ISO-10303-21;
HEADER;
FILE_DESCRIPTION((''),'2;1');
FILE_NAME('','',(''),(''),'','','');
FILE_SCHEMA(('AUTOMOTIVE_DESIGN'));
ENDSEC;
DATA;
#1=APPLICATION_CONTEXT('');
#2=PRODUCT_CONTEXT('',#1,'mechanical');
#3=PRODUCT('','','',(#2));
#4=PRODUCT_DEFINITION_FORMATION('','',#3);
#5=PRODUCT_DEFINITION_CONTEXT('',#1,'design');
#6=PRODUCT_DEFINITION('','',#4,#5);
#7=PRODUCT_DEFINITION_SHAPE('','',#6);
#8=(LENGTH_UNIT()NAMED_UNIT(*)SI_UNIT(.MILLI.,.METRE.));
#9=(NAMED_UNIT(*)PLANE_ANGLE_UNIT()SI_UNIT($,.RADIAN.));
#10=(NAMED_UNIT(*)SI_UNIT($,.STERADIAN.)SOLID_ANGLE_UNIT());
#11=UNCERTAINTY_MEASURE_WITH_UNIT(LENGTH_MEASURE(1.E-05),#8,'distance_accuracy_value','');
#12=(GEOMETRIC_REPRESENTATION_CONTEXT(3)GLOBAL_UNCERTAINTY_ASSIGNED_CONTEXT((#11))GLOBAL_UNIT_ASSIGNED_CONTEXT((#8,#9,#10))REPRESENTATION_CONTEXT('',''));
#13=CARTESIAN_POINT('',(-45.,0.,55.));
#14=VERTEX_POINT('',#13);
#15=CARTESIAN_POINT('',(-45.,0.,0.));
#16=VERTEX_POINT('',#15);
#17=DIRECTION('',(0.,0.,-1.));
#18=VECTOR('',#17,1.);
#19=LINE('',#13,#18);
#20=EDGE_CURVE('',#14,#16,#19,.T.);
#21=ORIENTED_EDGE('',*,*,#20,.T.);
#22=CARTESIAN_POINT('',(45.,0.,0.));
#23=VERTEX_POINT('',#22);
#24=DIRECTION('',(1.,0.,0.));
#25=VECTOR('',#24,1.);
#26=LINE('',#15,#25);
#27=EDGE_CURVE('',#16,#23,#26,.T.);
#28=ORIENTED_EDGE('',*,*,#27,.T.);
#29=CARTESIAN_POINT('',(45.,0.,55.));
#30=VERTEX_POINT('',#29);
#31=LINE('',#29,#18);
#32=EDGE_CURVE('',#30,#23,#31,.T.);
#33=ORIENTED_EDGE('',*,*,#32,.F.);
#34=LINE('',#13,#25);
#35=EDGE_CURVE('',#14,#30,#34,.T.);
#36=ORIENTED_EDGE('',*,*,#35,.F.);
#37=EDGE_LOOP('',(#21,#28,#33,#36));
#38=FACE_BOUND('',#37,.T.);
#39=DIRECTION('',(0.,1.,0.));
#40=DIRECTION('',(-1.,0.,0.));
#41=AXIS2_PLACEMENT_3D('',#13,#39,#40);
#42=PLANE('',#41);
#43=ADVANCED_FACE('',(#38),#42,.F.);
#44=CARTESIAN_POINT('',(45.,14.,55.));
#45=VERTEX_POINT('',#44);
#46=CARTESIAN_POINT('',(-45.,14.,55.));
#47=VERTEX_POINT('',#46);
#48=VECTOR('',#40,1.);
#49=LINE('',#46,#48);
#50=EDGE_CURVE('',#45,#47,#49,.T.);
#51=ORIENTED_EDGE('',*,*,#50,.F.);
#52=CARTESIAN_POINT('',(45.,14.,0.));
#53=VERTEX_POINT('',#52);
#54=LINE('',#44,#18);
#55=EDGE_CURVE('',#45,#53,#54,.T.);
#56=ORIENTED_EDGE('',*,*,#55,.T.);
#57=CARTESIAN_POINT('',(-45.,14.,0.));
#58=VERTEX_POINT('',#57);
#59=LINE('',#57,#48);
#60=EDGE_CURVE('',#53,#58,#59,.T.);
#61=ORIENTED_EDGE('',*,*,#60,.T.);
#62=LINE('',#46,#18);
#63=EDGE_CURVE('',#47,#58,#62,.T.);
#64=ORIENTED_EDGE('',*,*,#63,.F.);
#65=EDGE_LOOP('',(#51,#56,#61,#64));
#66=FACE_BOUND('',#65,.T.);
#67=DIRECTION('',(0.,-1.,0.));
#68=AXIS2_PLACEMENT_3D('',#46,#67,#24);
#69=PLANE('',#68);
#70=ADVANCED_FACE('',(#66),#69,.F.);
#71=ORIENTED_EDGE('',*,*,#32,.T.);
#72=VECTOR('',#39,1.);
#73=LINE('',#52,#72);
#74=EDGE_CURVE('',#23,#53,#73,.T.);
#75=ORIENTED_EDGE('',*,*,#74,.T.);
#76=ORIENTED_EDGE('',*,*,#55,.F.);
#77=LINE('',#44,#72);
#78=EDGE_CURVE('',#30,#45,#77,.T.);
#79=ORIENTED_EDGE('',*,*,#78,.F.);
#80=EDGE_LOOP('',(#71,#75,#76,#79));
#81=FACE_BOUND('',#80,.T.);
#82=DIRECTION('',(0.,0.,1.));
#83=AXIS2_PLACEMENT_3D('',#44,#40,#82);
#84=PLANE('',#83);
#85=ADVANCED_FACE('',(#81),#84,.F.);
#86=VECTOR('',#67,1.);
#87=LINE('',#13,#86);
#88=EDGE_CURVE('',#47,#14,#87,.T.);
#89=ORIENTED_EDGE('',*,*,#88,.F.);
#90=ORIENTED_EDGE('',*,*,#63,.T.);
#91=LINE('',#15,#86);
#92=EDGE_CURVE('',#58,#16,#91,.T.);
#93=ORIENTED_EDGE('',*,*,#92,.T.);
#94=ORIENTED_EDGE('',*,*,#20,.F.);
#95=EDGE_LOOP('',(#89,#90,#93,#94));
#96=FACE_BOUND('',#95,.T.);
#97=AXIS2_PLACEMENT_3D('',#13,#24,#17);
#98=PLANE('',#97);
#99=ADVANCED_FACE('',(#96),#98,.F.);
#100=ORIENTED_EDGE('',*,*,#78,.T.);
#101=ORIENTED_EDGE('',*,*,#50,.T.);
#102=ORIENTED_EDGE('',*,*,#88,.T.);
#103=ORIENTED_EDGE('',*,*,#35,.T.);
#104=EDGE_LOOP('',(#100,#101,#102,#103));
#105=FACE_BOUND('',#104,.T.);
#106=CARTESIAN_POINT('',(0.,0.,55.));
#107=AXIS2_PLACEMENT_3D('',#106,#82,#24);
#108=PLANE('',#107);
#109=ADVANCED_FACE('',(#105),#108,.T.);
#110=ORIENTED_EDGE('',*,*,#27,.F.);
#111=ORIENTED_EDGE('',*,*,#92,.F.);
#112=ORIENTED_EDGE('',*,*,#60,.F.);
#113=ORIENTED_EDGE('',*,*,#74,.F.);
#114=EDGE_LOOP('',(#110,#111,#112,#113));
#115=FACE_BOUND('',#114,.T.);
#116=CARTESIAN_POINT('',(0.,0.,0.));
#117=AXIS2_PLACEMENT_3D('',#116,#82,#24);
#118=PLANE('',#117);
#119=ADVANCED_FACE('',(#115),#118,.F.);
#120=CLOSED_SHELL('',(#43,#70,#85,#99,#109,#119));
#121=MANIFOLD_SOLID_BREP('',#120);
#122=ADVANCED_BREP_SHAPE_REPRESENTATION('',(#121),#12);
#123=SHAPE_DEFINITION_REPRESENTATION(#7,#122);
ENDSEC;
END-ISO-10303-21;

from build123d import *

# Parameters (mm, degrees)
ESBO_O1_W                = 90
ESBO_O1_H                = 14
RESSALTO_EXTRUS_O1_DEPTH = 55


with BuildPart() as part:
    # Esboço1 → Ressalto-extrusão1 (new body)
    with BuildSketch(Plane.XY):
        with Locations((0, 7)):
            Rectangle(ESBO_O1_W, ESBO_O1_H)
    extrude(amount=RESSALTO_EXTRUS_O1_DEPTH)


solid = part.part
